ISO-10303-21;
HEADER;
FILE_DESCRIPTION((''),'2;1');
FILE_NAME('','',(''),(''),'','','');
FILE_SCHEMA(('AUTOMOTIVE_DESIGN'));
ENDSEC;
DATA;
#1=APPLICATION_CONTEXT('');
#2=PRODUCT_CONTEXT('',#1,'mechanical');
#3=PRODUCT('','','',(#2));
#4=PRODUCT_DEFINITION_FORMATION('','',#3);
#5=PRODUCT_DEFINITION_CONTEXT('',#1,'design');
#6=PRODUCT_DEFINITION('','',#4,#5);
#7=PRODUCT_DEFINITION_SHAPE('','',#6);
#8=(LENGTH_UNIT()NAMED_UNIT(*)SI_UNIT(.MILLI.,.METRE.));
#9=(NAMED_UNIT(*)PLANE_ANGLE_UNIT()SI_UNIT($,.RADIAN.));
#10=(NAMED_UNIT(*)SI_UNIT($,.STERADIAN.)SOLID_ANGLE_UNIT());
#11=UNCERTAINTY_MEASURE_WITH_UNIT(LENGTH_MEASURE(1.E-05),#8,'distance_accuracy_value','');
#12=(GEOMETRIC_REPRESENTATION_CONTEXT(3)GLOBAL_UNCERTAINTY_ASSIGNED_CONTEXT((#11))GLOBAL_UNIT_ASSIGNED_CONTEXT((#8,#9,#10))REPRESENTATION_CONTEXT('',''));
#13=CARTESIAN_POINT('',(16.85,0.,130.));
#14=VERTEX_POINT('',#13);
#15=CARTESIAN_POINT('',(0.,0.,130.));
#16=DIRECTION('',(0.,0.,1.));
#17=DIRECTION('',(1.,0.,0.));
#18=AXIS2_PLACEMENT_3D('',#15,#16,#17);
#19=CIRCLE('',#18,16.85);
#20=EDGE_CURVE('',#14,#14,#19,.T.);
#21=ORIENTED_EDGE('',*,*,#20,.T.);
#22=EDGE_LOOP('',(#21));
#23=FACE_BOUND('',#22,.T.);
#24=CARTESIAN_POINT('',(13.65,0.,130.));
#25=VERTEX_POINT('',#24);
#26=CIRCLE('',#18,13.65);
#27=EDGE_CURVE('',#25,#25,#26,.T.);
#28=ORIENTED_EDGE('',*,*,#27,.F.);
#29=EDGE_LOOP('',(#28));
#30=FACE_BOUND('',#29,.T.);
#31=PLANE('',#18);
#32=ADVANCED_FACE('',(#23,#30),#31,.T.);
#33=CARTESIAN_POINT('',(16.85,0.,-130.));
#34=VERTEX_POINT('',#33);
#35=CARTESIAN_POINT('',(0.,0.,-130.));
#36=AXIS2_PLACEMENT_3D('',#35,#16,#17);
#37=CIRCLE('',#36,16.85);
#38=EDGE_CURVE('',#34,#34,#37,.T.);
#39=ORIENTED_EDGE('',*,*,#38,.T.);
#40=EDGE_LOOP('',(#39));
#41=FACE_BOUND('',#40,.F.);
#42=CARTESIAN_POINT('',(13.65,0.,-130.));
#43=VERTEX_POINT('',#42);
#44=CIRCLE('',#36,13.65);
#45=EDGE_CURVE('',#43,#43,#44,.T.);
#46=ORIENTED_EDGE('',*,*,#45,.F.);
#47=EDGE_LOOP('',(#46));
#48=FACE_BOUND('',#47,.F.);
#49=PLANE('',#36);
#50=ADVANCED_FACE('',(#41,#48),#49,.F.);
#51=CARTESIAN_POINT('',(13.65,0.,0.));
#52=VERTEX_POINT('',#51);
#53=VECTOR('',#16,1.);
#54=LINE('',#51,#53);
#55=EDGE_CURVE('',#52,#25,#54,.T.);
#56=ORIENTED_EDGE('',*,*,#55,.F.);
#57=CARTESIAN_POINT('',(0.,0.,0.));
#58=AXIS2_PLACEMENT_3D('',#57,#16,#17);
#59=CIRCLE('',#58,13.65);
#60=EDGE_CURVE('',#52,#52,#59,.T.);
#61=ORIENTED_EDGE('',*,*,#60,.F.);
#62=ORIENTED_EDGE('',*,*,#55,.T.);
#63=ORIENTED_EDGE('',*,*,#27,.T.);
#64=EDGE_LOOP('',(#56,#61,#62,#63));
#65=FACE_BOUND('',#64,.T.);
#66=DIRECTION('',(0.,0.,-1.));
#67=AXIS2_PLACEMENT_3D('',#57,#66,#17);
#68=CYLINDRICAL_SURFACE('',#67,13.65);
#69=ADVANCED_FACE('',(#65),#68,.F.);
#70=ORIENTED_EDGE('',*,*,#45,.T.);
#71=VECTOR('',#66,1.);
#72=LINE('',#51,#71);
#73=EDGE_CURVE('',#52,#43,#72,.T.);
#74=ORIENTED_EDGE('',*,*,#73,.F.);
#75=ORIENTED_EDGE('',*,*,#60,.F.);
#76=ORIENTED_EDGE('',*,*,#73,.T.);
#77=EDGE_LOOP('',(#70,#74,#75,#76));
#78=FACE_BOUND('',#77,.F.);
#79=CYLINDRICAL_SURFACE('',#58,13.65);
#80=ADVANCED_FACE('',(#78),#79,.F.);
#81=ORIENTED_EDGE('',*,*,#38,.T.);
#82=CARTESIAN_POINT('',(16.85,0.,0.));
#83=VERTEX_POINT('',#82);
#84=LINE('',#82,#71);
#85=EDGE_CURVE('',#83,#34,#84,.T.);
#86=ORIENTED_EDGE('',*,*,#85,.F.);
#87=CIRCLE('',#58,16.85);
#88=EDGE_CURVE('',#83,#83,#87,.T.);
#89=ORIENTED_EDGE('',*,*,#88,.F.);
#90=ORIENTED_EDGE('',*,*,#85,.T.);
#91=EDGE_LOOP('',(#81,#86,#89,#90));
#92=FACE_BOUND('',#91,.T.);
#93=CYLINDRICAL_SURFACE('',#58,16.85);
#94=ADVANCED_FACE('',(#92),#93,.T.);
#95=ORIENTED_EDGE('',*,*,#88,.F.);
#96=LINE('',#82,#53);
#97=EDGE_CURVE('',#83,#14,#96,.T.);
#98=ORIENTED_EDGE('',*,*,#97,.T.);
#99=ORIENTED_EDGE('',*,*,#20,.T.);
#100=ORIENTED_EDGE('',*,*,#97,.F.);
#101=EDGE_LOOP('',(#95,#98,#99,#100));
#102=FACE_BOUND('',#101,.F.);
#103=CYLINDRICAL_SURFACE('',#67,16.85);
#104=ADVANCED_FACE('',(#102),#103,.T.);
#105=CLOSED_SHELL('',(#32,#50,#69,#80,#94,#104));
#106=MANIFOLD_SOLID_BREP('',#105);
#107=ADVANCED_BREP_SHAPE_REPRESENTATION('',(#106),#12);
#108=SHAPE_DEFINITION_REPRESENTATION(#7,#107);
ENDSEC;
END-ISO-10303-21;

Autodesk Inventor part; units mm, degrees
ref_plane "YZ Plane" through (0, 0, 0) normal (1, 0, 0) x (0, 1, 0)
ref_plane "XZ Plane" through (0, 0, 0) normal (0, 1, 0) x (-1, 0, 0)
ref_plane "XY Plane" through (0, 0, 0) normal (0, 0, 1) x (1, 0, 0)
sketch "Sketch1" plane through (0, 0, 0) normal (0, 0, 1) x (1, 0, 0)
  circle A0 centre (0, 0) radius 16.85
  circle A1 centre (0, 0) radius 13.65
  dimension "OD" = 33.7
  dimension "t" = 3.2
extrude "Extrusion1" add sketch "Sketch1" along normal mid plane 260
equation "\"size\" = 6"
properties part number "SS" material "Aluminium 6082 T6"
